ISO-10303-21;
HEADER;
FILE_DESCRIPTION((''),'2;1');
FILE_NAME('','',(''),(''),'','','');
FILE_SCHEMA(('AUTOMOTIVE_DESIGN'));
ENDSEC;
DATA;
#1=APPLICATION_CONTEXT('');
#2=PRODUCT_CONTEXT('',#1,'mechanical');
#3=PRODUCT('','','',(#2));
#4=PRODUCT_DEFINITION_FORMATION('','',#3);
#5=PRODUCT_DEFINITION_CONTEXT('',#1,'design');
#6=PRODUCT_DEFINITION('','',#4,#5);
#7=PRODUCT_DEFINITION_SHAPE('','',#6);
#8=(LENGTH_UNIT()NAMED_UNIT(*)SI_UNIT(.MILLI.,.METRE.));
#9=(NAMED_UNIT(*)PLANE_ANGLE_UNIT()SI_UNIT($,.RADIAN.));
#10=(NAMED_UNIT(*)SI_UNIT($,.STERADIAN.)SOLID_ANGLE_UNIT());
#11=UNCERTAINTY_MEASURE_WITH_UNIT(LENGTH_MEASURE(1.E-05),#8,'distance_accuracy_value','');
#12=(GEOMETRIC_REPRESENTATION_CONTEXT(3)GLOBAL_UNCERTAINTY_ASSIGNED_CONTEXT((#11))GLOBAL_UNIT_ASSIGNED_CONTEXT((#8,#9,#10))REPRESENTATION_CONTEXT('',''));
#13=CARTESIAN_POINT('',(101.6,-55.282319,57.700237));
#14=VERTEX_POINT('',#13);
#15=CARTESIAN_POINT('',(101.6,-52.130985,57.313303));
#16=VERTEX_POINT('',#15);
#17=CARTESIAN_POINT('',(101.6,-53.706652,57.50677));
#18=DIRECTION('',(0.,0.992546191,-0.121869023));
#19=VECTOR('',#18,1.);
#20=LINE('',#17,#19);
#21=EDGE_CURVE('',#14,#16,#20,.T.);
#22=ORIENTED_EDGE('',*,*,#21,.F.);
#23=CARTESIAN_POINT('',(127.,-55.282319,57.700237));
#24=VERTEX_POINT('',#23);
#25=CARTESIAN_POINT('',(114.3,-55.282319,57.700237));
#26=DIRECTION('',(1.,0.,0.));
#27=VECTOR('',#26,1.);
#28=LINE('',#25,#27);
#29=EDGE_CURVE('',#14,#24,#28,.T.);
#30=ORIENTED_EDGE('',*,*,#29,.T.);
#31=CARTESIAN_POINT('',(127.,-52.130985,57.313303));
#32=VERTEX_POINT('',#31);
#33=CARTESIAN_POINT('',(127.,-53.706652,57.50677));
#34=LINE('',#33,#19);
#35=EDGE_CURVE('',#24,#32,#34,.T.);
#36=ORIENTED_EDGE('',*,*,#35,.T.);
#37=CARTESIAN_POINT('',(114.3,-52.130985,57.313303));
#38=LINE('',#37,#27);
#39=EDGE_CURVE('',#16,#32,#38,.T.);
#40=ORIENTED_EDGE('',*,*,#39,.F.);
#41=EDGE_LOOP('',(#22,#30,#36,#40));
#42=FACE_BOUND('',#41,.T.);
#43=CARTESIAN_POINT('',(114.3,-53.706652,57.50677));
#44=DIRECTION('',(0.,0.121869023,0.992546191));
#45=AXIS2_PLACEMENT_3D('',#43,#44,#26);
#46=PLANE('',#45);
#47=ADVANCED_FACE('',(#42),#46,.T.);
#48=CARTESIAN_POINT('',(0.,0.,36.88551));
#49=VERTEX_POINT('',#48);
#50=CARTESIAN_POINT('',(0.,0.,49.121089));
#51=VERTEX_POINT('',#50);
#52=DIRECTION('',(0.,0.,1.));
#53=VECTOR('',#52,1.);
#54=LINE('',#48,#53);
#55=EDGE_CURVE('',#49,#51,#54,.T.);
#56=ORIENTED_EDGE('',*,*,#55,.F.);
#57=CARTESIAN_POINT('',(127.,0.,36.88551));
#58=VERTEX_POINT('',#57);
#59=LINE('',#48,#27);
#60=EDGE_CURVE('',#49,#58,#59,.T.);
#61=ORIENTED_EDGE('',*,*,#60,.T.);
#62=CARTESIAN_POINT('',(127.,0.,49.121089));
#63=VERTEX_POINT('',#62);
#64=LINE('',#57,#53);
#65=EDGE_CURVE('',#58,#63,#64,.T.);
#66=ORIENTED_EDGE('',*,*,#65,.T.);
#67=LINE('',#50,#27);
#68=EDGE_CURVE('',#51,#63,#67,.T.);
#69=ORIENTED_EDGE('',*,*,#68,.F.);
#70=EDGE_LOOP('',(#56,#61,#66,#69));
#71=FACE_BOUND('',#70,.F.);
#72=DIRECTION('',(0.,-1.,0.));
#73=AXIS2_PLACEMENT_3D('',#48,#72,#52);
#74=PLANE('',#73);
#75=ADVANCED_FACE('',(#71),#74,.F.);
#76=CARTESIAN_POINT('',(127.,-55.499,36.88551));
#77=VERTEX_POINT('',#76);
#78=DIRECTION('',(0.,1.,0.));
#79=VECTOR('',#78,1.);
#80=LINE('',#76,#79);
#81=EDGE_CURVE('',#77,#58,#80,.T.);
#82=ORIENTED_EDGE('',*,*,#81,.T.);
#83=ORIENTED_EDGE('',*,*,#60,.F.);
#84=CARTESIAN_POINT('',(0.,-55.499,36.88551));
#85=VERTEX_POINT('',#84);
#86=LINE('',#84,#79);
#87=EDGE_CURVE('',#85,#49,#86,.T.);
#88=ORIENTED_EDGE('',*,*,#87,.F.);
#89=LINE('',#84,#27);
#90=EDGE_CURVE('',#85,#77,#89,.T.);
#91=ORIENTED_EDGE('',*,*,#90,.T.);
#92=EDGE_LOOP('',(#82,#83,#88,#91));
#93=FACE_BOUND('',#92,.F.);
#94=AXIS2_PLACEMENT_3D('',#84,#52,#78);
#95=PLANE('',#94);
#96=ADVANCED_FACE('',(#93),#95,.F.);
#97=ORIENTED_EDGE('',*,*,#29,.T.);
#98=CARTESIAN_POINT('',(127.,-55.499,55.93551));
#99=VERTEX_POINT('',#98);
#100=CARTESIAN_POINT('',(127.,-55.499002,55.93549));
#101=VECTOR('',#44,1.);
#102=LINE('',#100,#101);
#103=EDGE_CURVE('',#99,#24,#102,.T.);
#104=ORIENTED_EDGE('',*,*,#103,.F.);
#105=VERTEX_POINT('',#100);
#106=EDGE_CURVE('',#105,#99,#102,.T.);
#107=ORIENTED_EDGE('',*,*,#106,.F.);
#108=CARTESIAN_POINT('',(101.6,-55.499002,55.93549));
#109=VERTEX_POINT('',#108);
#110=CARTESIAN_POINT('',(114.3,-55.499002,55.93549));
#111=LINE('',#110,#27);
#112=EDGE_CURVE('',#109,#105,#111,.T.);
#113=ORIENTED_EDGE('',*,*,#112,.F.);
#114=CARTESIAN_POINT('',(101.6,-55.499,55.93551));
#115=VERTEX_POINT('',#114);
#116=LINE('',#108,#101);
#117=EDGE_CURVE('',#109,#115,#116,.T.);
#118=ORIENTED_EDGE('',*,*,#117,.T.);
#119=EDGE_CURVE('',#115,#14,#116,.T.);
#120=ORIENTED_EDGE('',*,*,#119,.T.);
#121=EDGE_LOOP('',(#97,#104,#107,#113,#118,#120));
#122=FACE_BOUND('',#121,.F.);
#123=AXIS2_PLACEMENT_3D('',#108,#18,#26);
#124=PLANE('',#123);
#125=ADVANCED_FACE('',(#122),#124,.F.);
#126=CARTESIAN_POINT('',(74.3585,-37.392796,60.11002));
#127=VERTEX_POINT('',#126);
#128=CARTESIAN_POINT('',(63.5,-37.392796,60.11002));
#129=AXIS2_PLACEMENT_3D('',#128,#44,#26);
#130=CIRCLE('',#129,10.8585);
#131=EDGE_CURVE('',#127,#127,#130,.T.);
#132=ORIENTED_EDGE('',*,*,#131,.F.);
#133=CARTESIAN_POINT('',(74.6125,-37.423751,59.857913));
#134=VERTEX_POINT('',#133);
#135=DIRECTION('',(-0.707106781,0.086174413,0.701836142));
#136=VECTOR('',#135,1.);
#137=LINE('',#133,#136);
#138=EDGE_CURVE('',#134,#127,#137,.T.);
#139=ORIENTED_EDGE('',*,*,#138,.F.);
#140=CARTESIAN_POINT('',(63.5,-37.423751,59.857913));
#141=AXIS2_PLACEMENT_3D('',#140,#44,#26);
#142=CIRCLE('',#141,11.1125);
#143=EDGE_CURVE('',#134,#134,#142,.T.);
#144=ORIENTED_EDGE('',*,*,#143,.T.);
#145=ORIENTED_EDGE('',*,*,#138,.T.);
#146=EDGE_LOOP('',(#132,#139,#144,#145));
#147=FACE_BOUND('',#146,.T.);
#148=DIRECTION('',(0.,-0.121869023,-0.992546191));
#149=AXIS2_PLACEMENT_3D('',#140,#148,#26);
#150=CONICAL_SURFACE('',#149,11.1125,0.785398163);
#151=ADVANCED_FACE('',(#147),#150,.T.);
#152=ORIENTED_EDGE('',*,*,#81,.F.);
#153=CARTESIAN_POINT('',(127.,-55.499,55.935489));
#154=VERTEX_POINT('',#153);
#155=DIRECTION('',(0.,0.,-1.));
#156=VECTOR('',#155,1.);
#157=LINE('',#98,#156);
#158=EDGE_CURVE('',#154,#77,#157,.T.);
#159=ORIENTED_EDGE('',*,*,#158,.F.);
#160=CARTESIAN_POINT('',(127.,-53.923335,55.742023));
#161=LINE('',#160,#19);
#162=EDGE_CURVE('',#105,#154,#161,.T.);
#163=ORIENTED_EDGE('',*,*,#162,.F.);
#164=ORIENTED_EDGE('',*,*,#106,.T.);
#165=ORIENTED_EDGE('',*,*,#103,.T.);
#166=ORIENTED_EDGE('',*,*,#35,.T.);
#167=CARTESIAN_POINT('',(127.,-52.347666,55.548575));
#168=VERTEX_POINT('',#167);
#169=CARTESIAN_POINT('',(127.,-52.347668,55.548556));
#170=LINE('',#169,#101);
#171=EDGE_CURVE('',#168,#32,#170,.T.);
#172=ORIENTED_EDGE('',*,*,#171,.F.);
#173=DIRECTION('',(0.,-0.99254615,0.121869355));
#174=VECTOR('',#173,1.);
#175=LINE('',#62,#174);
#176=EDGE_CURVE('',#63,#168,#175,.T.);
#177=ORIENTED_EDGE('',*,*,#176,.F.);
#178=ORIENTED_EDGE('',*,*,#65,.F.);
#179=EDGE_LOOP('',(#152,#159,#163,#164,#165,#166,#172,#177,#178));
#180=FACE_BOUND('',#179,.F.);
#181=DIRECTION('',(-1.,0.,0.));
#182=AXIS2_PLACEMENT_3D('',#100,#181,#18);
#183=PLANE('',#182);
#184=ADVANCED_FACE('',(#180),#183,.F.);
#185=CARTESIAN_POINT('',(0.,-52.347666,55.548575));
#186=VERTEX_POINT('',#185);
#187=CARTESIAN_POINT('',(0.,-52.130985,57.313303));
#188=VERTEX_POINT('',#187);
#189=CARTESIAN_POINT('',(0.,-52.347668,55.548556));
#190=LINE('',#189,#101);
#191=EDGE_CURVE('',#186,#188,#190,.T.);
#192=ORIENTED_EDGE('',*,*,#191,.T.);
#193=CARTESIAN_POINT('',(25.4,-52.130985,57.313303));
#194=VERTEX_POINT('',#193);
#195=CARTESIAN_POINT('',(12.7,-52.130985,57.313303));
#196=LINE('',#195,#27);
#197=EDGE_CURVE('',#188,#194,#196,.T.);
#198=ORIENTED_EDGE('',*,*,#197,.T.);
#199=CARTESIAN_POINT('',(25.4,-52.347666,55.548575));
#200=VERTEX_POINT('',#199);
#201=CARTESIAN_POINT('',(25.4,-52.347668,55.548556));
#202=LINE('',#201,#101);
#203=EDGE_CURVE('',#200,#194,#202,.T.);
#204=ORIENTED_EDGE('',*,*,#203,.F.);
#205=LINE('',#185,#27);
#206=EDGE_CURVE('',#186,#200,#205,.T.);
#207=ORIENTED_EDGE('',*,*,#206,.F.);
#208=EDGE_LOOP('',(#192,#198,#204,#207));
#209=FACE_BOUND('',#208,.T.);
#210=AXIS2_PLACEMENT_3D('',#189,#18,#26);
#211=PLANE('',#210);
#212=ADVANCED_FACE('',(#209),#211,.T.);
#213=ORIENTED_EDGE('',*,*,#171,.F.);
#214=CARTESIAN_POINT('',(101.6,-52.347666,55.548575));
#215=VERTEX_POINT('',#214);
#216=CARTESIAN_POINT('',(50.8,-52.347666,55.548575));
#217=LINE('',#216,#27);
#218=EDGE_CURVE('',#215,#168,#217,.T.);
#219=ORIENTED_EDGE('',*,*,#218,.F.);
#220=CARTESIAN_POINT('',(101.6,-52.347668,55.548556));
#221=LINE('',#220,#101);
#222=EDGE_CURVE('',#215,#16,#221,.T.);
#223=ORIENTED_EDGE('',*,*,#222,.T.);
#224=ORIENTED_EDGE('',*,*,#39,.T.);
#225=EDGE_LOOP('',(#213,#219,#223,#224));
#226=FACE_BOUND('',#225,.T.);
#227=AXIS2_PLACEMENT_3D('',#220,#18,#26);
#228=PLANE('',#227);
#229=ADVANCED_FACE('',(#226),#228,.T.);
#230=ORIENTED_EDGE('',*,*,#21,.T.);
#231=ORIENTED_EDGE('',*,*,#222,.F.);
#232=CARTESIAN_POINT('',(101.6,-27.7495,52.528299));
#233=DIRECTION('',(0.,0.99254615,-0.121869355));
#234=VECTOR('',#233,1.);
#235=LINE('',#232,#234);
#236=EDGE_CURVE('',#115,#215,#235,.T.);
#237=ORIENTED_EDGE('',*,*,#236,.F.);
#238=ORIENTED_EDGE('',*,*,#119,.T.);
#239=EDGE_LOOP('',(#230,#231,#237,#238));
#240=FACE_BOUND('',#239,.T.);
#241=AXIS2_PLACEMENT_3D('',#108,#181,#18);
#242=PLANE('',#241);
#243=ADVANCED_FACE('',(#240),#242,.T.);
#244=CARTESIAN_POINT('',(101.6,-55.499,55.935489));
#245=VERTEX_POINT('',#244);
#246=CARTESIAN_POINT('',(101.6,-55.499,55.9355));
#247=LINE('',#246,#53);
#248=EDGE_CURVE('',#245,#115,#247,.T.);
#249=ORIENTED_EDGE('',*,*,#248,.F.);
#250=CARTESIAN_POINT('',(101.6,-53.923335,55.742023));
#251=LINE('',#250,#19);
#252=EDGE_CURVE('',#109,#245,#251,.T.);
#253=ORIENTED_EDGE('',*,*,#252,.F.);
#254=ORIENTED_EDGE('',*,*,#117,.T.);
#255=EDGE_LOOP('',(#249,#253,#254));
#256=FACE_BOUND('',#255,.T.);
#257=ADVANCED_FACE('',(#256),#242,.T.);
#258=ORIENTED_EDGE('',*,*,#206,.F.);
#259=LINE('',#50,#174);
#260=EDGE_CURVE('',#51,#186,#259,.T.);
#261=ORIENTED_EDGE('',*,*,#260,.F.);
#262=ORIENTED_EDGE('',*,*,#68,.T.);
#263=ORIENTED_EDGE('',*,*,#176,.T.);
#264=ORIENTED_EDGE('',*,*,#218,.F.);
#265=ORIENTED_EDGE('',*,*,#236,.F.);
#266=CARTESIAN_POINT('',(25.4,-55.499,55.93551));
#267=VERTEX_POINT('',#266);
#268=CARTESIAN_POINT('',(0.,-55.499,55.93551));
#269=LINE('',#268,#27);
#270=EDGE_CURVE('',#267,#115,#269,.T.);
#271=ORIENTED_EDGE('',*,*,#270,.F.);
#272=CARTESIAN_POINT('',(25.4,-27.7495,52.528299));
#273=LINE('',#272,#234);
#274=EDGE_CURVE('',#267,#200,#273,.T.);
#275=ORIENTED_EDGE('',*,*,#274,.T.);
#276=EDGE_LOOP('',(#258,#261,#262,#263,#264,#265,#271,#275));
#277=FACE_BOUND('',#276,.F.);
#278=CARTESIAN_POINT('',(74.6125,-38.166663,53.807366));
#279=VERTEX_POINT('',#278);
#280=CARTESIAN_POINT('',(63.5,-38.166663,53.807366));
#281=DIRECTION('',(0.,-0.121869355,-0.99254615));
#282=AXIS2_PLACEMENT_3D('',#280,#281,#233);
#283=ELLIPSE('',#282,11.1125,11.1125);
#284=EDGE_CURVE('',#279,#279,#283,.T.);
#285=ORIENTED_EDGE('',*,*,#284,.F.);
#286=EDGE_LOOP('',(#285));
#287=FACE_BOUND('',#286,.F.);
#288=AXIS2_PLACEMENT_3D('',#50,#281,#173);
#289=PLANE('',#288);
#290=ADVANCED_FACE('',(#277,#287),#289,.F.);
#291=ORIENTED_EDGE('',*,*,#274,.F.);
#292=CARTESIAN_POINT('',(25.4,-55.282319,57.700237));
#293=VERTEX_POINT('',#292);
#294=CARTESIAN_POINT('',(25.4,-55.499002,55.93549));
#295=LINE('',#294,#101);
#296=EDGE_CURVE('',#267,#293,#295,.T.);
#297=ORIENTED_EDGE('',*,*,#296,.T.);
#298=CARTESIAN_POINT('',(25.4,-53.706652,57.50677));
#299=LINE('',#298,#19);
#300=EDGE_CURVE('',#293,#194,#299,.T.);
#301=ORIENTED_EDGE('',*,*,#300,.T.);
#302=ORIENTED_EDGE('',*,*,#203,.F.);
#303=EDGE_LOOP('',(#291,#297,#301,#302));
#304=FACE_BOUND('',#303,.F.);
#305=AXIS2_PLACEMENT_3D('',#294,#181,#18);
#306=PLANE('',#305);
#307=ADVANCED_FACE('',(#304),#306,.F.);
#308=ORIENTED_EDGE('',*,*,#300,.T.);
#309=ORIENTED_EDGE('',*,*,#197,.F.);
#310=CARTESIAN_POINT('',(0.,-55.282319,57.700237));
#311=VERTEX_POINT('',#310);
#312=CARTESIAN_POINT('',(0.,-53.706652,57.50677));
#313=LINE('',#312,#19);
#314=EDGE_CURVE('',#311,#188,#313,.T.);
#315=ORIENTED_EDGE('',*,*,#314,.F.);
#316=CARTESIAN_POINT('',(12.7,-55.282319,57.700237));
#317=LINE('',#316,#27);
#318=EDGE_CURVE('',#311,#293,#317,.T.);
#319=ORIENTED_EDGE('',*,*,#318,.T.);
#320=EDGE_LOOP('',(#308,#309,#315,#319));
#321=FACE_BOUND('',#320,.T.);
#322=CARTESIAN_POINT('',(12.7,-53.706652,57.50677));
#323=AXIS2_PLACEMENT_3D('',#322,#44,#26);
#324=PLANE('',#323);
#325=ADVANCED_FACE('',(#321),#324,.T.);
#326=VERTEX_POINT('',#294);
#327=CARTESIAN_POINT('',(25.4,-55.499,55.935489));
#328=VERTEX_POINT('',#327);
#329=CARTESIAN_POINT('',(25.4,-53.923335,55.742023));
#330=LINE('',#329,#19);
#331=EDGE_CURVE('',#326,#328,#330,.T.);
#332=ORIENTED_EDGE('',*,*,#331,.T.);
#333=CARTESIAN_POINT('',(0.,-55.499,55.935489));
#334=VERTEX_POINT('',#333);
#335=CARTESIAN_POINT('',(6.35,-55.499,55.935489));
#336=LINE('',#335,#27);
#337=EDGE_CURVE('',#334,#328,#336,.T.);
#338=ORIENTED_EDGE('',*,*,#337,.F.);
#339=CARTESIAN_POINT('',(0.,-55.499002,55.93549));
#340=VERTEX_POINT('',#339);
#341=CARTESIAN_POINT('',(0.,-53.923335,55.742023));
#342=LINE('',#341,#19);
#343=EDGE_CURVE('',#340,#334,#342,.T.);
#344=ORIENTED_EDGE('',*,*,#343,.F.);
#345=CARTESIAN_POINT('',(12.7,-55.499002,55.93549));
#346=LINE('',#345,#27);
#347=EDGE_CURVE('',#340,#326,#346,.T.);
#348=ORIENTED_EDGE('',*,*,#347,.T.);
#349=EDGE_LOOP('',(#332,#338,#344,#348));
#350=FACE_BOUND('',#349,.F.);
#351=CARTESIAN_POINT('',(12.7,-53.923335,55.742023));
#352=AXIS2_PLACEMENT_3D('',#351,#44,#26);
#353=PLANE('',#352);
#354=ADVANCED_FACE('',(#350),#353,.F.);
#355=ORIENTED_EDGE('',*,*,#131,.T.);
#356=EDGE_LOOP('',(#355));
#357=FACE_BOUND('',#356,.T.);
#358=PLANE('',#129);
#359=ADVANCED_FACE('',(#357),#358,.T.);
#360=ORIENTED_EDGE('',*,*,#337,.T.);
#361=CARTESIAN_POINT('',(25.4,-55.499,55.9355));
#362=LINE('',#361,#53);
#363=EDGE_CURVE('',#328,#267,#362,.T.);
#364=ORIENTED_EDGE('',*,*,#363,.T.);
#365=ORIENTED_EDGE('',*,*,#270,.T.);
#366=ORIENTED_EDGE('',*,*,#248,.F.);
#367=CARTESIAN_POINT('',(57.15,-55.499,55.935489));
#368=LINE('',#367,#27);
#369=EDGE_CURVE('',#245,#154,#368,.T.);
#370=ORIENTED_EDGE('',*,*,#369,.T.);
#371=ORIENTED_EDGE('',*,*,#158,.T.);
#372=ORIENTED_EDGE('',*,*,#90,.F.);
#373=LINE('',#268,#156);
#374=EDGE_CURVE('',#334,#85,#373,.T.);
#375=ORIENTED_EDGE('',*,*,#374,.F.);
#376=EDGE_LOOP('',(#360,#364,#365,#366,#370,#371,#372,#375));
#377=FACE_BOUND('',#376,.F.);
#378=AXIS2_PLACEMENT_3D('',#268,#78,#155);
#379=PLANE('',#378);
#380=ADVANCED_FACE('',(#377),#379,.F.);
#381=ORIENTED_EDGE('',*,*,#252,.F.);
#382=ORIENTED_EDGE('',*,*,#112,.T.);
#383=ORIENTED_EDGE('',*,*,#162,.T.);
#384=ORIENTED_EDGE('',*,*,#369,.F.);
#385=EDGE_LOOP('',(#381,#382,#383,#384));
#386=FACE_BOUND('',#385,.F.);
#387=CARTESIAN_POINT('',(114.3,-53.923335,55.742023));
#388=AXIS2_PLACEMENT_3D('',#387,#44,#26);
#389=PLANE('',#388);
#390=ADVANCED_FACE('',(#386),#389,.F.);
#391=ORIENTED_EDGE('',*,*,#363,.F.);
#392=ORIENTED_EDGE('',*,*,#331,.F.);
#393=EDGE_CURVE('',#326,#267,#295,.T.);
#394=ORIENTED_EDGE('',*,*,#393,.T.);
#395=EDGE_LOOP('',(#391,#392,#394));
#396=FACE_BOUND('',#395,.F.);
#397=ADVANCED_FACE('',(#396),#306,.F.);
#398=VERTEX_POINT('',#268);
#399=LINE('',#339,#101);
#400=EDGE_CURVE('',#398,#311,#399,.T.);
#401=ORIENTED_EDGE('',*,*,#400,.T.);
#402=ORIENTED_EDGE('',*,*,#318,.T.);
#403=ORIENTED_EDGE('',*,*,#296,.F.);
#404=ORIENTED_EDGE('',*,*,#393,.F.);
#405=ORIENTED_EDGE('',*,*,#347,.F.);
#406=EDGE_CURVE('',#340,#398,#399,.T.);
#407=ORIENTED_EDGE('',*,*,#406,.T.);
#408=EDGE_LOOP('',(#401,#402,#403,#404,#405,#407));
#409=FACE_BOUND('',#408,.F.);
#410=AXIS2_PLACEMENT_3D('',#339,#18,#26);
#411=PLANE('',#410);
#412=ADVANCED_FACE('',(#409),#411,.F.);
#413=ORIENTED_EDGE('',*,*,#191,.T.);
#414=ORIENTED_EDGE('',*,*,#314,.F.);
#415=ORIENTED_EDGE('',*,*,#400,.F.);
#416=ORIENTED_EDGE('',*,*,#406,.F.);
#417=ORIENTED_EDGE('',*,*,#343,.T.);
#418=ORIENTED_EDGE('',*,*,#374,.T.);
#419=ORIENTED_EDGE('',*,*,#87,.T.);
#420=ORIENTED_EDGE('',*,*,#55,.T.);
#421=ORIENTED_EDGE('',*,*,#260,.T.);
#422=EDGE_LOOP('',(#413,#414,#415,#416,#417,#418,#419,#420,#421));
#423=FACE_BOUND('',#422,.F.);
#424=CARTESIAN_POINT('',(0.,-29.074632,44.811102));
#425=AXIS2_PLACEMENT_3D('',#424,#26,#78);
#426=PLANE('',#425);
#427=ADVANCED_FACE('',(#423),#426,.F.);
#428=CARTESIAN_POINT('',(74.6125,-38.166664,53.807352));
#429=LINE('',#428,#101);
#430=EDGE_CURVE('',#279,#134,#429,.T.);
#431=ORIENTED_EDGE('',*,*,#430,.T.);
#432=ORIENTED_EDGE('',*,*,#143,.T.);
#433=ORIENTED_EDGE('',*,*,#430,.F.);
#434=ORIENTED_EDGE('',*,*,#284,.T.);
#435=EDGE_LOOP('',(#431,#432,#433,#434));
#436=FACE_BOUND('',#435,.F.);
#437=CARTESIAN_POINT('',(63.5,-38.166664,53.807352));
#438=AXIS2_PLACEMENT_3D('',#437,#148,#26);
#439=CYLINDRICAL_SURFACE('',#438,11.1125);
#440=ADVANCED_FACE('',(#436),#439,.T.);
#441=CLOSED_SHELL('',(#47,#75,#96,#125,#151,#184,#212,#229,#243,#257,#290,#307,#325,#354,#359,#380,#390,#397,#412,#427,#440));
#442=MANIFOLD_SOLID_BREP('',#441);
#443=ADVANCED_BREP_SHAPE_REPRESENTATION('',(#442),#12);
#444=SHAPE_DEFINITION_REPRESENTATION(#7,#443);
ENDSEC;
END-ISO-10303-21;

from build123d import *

# Parameters (mm, degrees)
F1_DEPTH = 127
F2_R     = 11.1125
F3_DEPTH = 6.35
F4_SIZE  = 0.254
F2_W     = 25.4
F2_H     = 3.175
F5_DEPTH = 1.778


with BuildPart() as f1:
    # F0 (on Right) → F1 (new body)
    with BuildSketch(Plane.YZ):
        Polygon((-55.499, 36.88551), (0, 36.88551), (0, 49.121089), (-55.499, 55.93551), align=None)
    extrude(amount=F1_DEPTH)

    # F2 (on face) → F3 (join)
    with BuildSketch(Plane(origin=(0, 5.941734, 48.391536), x_dir=(1, 0, 0), z_dir=(0, 0.121869, 0.992546))):
        with Locations((63.5, -44.439643)):
            Circle(F2_R)
    extrude(amount=F3_DEPTH)

    # F4
    f4_edges = [f1.edges().sort_by_distance(p)[0] for p in [
        (52.3875, -37.392792, 60.110034),
    ]]
    chamfer(f4_edges, length=F4_SIZE)

    # F2 (on face) → F5 (join)
    with BuildSketch(Plane(origin=(0, 5.941734, 48.391536), x_dir=(1, 0, 0), z_dir=(0, 0.121869, 0.992546))):
        with Locations((114.3, -60.314643)):
            Rectangle(F2_W, F2_H)
        with Locations((12.7, -60.314643)):
            Rectangle(F2_W, F2_H)
    extrude(amount=F5_DEPTH)


solid = f1.part
